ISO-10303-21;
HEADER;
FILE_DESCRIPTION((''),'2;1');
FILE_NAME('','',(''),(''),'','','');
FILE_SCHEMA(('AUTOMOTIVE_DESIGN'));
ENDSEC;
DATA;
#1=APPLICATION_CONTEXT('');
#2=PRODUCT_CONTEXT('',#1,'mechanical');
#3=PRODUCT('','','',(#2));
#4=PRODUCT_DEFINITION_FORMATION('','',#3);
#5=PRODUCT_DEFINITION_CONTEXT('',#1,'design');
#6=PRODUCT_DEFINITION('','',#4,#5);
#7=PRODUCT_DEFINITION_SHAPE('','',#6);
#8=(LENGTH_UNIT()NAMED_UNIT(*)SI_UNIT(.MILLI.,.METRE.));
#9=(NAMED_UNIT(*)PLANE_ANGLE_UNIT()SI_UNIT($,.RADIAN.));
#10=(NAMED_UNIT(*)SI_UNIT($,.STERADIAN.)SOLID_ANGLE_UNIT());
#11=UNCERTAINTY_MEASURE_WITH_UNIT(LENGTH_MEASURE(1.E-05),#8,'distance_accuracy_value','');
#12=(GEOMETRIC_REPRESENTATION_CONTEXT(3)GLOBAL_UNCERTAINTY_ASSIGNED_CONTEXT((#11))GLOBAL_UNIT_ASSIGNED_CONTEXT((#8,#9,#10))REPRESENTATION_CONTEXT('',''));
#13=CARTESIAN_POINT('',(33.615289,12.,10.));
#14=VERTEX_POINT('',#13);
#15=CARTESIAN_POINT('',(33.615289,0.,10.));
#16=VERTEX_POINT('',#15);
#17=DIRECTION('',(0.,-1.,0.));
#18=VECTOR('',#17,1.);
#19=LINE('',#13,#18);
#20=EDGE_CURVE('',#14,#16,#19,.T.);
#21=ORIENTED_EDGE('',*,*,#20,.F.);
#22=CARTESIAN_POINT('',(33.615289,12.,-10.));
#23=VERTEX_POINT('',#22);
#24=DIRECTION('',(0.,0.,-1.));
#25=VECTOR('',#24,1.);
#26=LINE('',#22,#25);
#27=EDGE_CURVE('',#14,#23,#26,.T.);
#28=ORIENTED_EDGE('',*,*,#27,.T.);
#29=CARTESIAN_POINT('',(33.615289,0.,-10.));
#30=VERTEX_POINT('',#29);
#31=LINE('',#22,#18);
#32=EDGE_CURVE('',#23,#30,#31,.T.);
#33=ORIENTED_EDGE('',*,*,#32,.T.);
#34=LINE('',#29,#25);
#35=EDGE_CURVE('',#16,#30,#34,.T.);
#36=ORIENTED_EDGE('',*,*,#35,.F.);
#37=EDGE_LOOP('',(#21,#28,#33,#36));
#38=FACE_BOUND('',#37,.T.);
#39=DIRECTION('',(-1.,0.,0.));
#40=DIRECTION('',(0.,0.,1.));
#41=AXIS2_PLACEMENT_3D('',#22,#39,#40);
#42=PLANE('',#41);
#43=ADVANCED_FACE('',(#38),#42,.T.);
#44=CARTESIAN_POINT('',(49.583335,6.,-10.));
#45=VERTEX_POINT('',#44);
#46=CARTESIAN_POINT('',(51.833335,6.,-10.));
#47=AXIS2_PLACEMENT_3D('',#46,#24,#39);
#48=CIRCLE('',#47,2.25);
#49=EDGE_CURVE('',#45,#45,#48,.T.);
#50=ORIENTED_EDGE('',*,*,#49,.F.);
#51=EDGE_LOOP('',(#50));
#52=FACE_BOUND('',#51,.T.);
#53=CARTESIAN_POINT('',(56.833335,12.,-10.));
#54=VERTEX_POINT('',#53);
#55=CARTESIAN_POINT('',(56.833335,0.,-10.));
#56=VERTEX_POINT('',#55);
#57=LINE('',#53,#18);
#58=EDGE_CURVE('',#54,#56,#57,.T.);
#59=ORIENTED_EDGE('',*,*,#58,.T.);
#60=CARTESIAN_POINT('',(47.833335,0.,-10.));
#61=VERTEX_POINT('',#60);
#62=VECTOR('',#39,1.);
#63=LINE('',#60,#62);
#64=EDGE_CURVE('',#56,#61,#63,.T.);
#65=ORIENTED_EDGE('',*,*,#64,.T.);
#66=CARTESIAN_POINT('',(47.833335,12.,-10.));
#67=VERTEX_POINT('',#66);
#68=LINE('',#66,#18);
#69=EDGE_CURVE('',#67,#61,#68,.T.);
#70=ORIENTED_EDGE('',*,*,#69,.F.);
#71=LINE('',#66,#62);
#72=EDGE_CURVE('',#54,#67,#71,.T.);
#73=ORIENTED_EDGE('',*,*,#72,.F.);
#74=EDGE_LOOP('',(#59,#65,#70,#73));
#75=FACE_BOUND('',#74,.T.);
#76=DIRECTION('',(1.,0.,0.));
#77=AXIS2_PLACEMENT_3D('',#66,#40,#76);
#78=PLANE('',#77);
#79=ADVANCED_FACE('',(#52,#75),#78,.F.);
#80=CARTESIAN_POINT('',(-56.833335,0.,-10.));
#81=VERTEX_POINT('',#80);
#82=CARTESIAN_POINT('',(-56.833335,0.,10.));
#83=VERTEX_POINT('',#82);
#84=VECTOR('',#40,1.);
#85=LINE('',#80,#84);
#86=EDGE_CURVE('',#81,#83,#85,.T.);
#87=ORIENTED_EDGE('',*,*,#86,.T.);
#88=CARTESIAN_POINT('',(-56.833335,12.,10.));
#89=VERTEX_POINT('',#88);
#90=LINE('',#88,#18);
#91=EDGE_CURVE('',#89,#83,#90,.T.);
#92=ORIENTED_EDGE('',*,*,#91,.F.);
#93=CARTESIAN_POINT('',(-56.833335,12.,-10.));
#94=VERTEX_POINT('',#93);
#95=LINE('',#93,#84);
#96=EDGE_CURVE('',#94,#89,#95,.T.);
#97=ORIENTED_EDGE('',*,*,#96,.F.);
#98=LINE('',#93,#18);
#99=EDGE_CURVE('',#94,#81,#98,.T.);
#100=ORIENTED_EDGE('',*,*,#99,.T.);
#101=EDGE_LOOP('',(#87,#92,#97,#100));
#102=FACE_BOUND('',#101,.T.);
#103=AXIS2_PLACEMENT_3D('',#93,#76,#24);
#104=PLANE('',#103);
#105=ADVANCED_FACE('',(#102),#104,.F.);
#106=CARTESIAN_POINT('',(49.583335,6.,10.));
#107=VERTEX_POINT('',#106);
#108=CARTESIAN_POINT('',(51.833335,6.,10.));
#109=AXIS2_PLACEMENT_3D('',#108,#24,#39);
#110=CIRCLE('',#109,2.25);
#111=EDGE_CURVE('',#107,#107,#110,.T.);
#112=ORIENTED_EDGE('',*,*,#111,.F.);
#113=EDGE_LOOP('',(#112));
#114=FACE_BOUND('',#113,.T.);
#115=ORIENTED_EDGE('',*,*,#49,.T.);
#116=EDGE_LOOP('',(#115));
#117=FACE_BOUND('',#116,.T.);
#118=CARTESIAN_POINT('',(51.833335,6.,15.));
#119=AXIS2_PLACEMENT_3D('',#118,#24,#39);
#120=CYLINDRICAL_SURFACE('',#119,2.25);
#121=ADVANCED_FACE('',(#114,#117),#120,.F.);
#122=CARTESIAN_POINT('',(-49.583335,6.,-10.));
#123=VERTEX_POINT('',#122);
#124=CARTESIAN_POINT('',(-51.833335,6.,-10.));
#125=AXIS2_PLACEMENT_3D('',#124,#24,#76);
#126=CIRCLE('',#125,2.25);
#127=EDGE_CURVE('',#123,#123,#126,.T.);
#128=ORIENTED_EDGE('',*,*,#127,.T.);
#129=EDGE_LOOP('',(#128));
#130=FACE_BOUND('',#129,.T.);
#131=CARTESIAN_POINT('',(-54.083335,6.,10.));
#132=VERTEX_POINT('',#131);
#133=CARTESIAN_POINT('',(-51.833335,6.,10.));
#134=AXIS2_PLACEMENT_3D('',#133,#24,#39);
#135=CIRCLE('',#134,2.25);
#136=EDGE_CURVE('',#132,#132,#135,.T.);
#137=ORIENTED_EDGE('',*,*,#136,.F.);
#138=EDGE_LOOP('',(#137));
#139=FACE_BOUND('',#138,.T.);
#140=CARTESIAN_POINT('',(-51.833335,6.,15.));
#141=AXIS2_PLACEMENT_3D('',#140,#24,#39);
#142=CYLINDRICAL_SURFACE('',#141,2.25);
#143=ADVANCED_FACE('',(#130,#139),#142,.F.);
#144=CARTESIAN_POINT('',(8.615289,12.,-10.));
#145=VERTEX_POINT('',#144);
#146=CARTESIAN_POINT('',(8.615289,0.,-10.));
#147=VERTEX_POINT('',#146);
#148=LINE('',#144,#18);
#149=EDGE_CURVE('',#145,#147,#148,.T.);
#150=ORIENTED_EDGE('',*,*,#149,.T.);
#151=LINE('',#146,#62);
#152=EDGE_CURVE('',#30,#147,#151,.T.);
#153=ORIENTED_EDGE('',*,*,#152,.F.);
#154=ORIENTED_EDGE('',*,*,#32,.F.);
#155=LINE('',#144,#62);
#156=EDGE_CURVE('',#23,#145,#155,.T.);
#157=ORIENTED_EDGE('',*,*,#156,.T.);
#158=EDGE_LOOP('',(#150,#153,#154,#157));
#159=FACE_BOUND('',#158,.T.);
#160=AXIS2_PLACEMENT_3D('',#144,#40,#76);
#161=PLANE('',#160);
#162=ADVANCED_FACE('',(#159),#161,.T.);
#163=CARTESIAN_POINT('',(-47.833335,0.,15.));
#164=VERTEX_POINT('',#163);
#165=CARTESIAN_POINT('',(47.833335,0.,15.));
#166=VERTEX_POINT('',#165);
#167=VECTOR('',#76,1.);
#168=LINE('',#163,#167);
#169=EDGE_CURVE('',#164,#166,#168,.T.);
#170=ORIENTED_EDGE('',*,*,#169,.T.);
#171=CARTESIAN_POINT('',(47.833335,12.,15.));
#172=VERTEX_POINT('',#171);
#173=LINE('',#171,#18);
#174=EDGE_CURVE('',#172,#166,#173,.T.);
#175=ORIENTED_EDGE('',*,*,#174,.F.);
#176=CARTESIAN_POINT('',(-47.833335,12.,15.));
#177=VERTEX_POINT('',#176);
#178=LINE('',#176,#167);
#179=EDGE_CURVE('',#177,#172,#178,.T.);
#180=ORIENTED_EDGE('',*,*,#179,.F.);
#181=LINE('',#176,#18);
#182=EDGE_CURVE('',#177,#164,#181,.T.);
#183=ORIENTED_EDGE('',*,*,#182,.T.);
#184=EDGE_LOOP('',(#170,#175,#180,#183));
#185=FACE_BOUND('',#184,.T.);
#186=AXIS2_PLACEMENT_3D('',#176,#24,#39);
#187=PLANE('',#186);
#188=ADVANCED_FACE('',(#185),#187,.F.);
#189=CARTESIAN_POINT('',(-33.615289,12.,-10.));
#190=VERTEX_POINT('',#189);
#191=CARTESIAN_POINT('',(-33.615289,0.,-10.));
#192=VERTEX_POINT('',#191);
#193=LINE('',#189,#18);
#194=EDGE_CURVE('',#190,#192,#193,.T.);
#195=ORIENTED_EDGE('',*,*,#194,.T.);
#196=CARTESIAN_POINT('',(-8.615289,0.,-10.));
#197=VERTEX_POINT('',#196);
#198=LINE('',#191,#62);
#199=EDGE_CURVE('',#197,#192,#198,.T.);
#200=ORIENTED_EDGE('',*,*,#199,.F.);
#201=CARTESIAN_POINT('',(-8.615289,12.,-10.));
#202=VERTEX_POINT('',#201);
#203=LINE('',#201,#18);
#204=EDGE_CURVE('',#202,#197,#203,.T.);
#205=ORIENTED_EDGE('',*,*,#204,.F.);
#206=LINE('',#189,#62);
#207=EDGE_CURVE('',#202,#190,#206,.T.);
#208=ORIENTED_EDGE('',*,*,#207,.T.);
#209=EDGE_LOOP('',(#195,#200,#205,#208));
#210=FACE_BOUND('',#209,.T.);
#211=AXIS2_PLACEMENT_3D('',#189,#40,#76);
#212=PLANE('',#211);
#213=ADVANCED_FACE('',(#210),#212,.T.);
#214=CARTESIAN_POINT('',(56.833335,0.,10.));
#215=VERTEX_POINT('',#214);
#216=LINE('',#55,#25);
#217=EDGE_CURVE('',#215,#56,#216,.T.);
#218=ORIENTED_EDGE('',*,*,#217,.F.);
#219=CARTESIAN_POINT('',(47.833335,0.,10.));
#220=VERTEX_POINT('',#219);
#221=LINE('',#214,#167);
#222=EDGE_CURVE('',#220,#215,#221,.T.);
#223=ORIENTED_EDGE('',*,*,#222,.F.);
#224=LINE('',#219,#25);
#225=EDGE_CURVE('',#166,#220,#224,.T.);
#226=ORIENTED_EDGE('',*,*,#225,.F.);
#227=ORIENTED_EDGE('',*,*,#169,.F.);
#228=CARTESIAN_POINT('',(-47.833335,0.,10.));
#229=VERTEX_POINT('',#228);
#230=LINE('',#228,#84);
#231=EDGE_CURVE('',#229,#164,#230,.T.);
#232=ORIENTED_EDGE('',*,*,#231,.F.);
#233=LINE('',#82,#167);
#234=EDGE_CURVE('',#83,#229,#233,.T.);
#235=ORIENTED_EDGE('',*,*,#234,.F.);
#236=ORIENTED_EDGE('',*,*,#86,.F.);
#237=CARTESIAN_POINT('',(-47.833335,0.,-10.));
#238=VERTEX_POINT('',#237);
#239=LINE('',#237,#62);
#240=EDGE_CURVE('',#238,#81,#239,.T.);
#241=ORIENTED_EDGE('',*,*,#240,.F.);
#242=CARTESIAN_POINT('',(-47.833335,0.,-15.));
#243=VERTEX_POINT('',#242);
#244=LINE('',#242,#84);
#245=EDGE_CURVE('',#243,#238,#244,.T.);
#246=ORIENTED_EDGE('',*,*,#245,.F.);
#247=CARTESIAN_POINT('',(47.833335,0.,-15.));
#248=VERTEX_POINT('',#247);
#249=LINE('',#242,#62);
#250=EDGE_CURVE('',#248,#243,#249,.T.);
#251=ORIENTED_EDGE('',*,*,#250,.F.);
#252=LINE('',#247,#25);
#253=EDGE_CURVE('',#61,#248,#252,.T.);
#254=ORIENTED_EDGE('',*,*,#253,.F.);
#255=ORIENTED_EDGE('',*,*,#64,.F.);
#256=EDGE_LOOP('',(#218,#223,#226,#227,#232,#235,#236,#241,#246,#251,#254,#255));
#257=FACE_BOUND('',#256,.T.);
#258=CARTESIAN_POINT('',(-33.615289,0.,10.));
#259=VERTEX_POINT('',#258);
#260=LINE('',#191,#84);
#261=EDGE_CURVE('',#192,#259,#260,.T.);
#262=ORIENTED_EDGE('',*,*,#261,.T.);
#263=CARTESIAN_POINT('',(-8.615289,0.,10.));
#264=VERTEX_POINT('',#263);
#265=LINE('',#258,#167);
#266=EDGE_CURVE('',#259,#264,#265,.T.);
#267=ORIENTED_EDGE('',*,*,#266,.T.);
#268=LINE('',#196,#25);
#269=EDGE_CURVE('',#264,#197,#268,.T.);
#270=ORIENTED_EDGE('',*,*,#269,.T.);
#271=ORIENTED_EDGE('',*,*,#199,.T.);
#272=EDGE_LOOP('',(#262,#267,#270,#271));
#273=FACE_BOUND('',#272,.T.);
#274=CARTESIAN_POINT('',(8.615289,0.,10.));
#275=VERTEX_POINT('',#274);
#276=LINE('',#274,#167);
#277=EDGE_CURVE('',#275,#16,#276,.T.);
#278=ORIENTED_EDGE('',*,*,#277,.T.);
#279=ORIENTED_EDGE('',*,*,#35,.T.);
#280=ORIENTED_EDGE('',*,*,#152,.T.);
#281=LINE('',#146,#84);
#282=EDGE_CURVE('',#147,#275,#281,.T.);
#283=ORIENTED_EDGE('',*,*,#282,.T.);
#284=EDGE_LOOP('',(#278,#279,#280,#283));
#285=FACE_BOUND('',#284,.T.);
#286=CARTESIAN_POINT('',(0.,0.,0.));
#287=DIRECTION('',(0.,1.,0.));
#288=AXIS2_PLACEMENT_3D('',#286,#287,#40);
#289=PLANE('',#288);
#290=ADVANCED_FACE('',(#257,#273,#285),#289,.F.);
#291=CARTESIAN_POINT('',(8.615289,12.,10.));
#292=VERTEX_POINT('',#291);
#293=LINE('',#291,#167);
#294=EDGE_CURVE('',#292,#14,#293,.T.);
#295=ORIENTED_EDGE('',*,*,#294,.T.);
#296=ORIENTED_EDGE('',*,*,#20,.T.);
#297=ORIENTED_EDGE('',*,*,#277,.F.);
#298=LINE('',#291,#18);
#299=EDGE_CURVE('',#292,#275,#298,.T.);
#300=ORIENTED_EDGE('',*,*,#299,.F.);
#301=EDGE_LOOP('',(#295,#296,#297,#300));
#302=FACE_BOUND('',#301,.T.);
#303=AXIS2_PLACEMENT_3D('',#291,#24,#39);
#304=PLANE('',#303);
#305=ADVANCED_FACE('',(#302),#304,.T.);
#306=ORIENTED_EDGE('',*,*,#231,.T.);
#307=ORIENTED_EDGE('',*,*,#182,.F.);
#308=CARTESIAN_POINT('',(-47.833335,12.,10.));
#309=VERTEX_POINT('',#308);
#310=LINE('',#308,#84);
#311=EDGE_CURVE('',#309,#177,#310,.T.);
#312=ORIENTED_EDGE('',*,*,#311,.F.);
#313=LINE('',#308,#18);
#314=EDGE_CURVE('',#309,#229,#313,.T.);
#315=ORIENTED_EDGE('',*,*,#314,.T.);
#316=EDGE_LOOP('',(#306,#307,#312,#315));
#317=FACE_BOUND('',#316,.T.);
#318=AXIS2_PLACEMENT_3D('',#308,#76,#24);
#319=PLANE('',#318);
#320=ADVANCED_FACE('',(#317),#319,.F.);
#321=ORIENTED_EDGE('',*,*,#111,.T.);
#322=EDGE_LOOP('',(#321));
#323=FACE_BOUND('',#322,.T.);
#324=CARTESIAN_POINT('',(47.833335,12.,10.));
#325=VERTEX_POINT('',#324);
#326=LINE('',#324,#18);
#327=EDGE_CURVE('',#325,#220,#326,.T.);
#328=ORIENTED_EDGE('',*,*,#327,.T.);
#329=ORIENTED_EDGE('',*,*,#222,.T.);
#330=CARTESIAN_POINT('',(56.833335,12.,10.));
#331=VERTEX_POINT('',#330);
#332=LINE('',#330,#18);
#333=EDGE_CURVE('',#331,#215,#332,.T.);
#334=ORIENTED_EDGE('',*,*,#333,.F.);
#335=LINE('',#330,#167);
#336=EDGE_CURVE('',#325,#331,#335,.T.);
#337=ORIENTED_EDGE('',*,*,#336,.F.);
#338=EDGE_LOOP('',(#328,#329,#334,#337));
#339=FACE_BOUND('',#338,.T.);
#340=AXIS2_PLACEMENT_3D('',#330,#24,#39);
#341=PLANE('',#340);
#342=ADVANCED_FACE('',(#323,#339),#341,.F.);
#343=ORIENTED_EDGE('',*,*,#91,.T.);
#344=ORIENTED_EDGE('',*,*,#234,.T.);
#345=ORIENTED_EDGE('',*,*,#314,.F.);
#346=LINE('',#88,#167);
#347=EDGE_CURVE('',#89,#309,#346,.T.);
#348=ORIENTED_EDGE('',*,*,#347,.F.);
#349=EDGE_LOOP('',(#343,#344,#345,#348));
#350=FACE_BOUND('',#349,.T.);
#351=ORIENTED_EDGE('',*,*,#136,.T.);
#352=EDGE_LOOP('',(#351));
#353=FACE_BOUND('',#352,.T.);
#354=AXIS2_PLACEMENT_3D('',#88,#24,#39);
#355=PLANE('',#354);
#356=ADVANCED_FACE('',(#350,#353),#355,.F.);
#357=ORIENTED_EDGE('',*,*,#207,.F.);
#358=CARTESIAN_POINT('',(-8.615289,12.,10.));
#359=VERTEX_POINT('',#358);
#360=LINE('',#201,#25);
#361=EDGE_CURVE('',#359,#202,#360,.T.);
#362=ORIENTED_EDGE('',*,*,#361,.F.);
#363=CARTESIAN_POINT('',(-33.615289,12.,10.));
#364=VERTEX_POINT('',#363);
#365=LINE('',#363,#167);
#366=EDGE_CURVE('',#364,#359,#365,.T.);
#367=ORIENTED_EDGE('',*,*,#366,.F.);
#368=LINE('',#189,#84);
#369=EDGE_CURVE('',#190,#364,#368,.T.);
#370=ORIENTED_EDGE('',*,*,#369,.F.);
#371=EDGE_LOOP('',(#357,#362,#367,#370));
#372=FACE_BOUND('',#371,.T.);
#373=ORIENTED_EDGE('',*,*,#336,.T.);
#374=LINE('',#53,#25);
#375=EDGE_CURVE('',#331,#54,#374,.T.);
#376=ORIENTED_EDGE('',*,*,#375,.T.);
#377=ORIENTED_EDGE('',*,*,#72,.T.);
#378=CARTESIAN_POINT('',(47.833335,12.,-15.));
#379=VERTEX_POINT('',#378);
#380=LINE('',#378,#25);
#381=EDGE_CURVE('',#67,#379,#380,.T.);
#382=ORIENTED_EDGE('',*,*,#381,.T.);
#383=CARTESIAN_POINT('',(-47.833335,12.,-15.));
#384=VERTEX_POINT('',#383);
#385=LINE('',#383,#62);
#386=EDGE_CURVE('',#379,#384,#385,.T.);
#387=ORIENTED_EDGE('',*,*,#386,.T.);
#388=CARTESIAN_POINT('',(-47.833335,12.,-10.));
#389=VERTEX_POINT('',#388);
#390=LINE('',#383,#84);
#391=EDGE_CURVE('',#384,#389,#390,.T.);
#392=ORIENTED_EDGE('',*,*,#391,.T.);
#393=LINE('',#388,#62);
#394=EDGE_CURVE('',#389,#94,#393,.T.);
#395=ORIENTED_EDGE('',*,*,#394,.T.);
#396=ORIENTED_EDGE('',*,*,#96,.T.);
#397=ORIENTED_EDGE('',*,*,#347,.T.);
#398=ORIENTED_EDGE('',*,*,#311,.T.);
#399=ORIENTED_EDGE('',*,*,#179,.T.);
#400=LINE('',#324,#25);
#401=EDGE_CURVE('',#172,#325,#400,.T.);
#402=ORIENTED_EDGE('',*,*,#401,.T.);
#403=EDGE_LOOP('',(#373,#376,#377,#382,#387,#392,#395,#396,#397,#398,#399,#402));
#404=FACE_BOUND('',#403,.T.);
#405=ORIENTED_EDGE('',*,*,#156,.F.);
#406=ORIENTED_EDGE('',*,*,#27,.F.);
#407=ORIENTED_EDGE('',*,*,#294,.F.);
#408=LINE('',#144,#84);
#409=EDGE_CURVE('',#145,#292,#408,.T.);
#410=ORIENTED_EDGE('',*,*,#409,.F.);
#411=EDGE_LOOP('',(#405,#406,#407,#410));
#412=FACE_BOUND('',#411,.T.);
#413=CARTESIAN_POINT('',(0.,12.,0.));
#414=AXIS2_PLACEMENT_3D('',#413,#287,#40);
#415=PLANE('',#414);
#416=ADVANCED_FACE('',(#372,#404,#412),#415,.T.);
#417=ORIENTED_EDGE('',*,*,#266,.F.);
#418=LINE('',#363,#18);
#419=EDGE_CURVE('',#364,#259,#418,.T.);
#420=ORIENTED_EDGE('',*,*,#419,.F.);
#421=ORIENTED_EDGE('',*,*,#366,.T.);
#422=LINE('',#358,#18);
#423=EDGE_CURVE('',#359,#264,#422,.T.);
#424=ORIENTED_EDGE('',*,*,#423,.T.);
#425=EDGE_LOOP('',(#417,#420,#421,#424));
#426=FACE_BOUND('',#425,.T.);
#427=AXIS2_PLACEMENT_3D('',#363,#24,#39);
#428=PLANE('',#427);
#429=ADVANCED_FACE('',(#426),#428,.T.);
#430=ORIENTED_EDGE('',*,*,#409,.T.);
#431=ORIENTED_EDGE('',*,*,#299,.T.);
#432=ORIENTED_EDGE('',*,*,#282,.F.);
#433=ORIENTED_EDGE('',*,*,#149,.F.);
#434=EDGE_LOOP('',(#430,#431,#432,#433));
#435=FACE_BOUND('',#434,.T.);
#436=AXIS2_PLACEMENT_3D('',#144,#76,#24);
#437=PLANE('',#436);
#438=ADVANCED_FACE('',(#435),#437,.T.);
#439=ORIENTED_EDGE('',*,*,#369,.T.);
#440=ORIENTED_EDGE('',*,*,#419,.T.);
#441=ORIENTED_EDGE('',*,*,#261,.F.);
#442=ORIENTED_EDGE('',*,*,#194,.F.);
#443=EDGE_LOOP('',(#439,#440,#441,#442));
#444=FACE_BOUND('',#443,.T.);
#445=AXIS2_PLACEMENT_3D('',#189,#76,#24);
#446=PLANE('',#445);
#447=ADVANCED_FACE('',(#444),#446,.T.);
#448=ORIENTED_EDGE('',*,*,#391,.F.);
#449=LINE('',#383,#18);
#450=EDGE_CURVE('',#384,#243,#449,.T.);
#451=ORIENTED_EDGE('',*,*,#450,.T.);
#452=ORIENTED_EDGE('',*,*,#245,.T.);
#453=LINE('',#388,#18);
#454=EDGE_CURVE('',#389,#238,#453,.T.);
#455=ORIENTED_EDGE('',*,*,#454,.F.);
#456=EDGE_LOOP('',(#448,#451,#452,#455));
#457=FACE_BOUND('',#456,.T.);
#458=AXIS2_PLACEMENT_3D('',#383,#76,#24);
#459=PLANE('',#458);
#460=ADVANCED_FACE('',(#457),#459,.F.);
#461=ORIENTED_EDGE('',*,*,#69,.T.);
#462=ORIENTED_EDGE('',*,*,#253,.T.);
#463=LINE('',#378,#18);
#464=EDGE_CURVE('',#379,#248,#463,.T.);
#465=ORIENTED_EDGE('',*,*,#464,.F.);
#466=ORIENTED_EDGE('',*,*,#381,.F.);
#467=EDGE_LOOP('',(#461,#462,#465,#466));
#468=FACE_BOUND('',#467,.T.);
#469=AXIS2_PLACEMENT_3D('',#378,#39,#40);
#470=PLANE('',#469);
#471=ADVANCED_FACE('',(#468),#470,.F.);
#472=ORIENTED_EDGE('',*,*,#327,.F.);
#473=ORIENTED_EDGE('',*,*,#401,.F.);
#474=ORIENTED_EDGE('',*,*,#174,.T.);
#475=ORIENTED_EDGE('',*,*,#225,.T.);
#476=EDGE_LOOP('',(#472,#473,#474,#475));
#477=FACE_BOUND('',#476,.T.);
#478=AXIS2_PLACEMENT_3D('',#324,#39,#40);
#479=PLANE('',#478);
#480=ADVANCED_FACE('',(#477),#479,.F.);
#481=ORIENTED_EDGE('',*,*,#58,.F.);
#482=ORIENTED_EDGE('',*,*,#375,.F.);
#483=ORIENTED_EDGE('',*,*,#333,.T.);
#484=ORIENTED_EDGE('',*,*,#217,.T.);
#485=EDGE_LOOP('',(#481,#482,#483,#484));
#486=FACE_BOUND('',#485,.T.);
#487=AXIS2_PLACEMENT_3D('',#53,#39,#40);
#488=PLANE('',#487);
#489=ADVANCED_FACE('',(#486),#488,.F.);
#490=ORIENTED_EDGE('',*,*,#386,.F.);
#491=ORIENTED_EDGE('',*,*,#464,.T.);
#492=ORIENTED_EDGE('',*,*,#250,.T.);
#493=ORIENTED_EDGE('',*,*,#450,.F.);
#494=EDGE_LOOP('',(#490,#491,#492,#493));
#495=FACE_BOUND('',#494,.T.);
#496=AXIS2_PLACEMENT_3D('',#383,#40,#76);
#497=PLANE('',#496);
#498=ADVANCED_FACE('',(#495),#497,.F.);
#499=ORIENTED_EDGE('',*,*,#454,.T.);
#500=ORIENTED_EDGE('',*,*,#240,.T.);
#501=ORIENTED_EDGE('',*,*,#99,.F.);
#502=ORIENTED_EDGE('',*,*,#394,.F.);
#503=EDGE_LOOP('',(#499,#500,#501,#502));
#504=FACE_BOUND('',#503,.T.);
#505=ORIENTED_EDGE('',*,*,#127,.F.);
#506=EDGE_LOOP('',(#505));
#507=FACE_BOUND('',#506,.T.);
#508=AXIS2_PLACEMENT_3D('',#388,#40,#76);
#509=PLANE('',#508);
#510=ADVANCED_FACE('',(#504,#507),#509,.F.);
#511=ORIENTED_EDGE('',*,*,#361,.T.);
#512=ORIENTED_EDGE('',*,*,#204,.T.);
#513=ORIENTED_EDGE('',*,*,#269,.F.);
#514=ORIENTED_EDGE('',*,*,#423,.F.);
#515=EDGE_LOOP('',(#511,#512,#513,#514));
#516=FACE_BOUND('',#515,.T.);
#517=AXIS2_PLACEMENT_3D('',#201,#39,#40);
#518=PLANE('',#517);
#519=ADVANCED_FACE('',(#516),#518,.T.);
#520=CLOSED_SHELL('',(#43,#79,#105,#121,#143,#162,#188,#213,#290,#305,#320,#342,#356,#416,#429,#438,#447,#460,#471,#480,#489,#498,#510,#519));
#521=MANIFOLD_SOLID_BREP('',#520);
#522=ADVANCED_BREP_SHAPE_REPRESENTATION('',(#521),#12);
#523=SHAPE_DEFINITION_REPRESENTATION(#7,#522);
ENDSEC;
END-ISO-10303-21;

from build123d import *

# Parameters (mm, degrees)
SKETCH1_W           = 25
SKETCH1_H           = 20
BOSS_EXTRUDE1_DEPTH = 12
SKETCH2_R           = 2.25
CUT_EXTRUDE1_DEPTH  = 64.237868143


with BuildPart() as part:
    # Sketch1 → Boss-Extrude1 (new body)
    with BuildSketch(Plane(origin=(0, 0, 0), x_dir=(1, 0, 0), z_dir=(0, 1, 0))):
        Polygon((-47.833335, 15), (47.833335, 15), (47.833335, 10), (56.833335, 10), (56.833335, -10), (47.833335, -10), (47.833335, -15), (-47.833335, -15), (-47.833335, -10), (-56.833335, -10), (-56.833335, 10), (-47.833335, 10), align=None)
        with Locations((-21.115289313, 0)):
            Rectangle(SKETCH1_W, SKETCH1_H, mode=Mode.SUBTRACT)
        with Locations((21.115289313, 0)):
            Rectangle(SKETCH1_W, SKETCH1_H, mode=Mode.SUBTRACT)
    extrude(amount=BOSS_EXTRUDE1_DEPTH)

    # Sketch2 → Cut-Extrude1 (cut, through all)
    with BuildSketch(Plane(origin=(0, 0, -10), x_dir=(-1, 0, 0), z_dir=(0, 0, -1))):
        with Locations((-51.833335, 6)):
            Circle(SKETCH2_R)
        with Locations((51.833335, 6)):
            Circle(SKETCH2_R)
    extrude(amount=-CUT_EXTRUDE1_DEPTH, mode=Mode.SUBTRACT)


solid = part.part
